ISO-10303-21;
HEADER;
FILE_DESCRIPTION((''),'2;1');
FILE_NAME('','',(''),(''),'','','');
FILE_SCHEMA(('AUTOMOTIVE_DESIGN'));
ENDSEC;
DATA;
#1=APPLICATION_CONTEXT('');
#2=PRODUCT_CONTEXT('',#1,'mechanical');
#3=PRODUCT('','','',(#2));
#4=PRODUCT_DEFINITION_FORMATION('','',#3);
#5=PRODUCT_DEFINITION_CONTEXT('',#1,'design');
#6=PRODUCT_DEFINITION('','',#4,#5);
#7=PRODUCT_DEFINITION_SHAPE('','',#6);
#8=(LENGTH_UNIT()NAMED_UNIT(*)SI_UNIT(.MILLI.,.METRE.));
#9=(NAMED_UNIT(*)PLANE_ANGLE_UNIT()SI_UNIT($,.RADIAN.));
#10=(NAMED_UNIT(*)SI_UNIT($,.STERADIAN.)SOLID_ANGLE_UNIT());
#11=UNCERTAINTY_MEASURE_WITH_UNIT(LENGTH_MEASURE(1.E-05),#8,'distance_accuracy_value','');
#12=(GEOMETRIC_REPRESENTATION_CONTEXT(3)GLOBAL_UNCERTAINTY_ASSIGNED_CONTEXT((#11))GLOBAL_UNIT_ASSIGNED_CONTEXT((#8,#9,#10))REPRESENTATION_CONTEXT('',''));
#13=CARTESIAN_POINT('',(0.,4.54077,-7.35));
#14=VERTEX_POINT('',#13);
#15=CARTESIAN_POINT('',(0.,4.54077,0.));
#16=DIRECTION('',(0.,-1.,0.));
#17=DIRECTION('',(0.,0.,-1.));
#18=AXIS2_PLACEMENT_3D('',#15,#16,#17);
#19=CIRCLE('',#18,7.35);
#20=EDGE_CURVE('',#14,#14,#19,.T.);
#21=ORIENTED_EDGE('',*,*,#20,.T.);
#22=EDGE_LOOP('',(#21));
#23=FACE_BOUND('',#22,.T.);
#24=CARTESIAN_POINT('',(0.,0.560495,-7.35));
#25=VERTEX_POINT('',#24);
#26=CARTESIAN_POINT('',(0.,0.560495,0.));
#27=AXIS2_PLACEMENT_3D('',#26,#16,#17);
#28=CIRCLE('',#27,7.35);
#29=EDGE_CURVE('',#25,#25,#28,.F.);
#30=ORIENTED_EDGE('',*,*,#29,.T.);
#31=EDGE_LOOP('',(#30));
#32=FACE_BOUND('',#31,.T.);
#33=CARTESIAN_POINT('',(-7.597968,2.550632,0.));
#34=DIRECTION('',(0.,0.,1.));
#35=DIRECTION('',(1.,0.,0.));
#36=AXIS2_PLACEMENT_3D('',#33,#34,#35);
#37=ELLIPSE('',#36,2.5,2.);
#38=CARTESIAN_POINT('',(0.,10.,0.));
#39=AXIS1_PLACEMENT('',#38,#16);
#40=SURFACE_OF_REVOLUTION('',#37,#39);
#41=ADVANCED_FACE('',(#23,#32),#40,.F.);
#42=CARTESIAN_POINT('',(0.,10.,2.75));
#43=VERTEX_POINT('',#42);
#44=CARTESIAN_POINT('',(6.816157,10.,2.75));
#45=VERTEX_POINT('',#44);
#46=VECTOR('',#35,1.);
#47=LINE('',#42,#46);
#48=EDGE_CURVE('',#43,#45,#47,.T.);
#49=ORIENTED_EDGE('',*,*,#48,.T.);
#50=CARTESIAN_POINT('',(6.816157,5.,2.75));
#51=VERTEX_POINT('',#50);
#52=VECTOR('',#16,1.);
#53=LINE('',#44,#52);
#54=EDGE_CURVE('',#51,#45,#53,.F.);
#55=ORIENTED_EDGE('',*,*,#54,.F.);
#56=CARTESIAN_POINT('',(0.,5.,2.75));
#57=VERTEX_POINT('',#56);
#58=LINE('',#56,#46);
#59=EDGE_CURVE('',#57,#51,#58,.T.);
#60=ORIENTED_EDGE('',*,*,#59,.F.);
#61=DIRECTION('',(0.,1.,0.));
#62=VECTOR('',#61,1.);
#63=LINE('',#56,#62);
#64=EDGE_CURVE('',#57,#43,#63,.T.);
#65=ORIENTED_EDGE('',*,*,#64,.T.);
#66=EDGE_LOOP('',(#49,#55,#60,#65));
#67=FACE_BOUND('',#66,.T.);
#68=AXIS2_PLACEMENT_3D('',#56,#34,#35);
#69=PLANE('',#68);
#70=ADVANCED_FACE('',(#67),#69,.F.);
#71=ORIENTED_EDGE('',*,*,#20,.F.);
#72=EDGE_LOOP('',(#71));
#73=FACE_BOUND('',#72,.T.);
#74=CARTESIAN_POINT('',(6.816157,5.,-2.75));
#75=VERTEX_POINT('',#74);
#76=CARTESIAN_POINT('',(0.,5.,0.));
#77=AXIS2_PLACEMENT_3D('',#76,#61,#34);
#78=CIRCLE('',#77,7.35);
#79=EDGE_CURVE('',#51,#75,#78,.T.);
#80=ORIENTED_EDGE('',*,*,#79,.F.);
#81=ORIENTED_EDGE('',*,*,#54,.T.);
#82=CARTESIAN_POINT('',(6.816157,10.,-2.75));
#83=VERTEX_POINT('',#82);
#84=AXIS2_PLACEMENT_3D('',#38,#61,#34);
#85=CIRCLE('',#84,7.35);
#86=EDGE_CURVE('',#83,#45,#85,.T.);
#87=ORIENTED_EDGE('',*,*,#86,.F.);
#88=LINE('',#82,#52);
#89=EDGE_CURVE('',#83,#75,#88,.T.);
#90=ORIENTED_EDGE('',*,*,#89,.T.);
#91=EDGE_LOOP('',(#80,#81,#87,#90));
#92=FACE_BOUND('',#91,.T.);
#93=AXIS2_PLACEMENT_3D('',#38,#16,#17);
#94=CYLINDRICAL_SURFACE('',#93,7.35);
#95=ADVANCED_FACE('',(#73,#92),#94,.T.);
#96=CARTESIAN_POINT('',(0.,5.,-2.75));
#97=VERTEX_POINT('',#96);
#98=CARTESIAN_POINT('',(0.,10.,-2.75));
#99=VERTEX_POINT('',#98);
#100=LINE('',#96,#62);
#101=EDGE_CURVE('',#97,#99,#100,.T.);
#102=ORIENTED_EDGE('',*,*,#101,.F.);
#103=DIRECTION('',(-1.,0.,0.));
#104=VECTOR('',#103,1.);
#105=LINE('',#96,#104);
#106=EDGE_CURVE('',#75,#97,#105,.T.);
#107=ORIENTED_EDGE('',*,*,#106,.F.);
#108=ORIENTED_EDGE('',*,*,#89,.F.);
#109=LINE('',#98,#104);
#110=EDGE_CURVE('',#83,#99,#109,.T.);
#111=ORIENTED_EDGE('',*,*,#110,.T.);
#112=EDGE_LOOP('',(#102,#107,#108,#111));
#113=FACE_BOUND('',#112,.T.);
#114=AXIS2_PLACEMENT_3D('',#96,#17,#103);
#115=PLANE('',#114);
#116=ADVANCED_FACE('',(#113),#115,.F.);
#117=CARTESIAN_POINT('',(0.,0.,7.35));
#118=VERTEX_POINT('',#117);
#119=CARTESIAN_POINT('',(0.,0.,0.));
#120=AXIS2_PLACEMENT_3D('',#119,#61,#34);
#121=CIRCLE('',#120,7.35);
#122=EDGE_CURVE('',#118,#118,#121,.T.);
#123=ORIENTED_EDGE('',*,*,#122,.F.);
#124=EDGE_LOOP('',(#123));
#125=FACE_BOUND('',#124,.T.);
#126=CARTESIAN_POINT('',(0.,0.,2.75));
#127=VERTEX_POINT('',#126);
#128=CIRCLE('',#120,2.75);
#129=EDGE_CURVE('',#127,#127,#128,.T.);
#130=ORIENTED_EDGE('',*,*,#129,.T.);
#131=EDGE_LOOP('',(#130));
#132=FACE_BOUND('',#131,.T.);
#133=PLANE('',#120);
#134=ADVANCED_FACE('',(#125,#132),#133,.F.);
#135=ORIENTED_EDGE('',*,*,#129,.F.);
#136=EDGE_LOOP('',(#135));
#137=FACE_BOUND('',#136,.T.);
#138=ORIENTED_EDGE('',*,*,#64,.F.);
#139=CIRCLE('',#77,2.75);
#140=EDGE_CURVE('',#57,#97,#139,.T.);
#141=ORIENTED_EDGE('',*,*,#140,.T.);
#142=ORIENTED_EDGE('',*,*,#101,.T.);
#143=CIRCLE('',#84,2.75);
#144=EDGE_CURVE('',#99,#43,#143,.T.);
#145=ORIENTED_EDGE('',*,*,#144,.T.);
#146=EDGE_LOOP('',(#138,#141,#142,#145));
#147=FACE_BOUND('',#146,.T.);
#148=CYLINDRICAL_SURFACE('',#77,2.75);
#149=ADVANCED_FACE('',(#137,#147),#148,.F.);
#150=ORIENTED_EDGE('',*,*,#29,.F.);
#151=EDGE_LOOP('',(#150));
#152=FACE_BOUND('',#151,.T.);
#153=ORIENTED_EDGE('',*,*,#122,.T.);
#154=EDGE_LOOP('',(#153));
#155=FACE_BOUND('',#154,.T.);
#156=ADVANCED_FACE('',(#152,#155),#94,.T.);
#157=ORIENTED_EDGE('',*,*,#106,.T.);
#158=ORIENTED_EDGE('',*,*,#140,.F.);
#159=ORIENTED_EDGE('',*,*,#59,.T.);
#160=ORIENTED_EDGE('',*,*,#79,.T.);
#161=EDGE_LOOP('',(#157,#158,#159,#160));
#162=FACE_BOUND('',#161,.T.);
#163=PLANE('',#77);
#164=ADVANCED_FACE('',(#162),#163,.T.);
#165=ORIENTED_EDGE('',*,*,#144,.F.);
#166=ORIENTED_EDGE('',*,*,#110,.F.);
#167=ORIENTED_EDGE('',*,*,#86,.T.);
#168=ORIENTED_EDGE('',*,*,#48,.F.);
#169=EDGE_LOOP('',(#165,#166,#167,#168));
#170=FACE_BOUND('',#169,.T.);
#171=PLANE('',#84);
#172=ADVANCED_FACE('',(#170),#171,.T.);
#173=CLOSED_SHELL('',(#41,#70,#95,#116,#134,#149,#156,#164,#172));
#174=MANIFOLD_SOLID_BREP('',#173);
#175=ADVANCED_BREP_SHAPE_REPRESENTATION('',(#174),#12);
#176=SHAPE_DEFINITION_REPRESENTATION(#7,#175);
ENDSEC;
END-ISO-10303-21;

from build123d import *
from build123d.topology import SkipClean

# Parameters (mm, degrees)
SKETCH1_R               = 7.35
BOSS_EXTRUDE1_DEPTH     = 10
CUT_EXTRUDE1_DEPTH      = 5
CUT_EXTRUDE2_DEPTH      = 15.423765112
CUT_EXTRUDE2_DEPTH_BACK = 15.423765112
SKETCH3_R               = 2.75
SKETCH4_RX              = 2.5
SKETCH4_RY              = 2


with BuildPart() as part:
    # Sketch1 → Boss-Extrude1 (new body)
    with BuildSketch(Plane(origin=(0, 0, 0), x_dir=(1, 0, 0), z_dir=(0, 1, 0))):
        with Locations(Location((0, 0, 0), (0, 0, 270))):
            Circle(SKETCH1_R)
    extrude(amount=BOSS_EXTRUDE1_DEPTH)

    # Sketch2 → Cut-Extrude1 (cut)
    with BuildSketch(Plane(origin=(0, 10, 0), x_dir=(1, 0, 0), z_dir=(0, 1, 0))):
        with BuildLine():
            Line((0, 2.75), (9.425049625, 2.75))
            Line((9.425049625, 2.75), (9.711324497, -2.75))
            Line((9.711324497, -2.75), (0, -2.75))
            ThreePointArc((0, -2.75), (-2.75, 0), (0, 2.75))
        make_face()
    extrude(amount=-CUT_EXTRUDE1_DEPTH, mode=Mode.SUBTRACT)

    # Sketch3 → Cut-Extrude2 (cut, two sides: drawn at the far end of the back side and taken through both)
    with BuildSketch(Plane(origin=(0, 10, 0), x_dir=(1, 0, 0), z_dir=(0, 1, 0)).offset(-CUT_EXTRUDE2_DEPTH_BACK)):
        with Locations(Location((0, 0, 0), (0, 0, 270))):
            Circle(SKETCH3_R)
    extrude(amount=CUT_EXTRUDE2_DEPTH + CUT_EXTRUDE2_DEPTH_BACK, mode=Mode.SUBTRACT)

    # Sketch4 → Cut-Revolve1 (revolve, cut)
    with SkipClean():  # the faces are left unmerged after this step: merging them gives an invalid solid
        with BuildSketch(Plane.XY, mode=Mode.PRIVATE) as cut_revolve1_sk:
            with Locations((-7.59796792, 2.550632184)):
                Ellipse(SKETCH4_RX, SKETCH4_RY)
        revolve(cut_revolve1_sk.sketch.rotate(Axis((0, 10, 0), (0, 1, 0)), 270), axis=Axis((0, 10, 0), (0, 1, 0)), mode=Mode.SUBTRACT)


solid = part.part
